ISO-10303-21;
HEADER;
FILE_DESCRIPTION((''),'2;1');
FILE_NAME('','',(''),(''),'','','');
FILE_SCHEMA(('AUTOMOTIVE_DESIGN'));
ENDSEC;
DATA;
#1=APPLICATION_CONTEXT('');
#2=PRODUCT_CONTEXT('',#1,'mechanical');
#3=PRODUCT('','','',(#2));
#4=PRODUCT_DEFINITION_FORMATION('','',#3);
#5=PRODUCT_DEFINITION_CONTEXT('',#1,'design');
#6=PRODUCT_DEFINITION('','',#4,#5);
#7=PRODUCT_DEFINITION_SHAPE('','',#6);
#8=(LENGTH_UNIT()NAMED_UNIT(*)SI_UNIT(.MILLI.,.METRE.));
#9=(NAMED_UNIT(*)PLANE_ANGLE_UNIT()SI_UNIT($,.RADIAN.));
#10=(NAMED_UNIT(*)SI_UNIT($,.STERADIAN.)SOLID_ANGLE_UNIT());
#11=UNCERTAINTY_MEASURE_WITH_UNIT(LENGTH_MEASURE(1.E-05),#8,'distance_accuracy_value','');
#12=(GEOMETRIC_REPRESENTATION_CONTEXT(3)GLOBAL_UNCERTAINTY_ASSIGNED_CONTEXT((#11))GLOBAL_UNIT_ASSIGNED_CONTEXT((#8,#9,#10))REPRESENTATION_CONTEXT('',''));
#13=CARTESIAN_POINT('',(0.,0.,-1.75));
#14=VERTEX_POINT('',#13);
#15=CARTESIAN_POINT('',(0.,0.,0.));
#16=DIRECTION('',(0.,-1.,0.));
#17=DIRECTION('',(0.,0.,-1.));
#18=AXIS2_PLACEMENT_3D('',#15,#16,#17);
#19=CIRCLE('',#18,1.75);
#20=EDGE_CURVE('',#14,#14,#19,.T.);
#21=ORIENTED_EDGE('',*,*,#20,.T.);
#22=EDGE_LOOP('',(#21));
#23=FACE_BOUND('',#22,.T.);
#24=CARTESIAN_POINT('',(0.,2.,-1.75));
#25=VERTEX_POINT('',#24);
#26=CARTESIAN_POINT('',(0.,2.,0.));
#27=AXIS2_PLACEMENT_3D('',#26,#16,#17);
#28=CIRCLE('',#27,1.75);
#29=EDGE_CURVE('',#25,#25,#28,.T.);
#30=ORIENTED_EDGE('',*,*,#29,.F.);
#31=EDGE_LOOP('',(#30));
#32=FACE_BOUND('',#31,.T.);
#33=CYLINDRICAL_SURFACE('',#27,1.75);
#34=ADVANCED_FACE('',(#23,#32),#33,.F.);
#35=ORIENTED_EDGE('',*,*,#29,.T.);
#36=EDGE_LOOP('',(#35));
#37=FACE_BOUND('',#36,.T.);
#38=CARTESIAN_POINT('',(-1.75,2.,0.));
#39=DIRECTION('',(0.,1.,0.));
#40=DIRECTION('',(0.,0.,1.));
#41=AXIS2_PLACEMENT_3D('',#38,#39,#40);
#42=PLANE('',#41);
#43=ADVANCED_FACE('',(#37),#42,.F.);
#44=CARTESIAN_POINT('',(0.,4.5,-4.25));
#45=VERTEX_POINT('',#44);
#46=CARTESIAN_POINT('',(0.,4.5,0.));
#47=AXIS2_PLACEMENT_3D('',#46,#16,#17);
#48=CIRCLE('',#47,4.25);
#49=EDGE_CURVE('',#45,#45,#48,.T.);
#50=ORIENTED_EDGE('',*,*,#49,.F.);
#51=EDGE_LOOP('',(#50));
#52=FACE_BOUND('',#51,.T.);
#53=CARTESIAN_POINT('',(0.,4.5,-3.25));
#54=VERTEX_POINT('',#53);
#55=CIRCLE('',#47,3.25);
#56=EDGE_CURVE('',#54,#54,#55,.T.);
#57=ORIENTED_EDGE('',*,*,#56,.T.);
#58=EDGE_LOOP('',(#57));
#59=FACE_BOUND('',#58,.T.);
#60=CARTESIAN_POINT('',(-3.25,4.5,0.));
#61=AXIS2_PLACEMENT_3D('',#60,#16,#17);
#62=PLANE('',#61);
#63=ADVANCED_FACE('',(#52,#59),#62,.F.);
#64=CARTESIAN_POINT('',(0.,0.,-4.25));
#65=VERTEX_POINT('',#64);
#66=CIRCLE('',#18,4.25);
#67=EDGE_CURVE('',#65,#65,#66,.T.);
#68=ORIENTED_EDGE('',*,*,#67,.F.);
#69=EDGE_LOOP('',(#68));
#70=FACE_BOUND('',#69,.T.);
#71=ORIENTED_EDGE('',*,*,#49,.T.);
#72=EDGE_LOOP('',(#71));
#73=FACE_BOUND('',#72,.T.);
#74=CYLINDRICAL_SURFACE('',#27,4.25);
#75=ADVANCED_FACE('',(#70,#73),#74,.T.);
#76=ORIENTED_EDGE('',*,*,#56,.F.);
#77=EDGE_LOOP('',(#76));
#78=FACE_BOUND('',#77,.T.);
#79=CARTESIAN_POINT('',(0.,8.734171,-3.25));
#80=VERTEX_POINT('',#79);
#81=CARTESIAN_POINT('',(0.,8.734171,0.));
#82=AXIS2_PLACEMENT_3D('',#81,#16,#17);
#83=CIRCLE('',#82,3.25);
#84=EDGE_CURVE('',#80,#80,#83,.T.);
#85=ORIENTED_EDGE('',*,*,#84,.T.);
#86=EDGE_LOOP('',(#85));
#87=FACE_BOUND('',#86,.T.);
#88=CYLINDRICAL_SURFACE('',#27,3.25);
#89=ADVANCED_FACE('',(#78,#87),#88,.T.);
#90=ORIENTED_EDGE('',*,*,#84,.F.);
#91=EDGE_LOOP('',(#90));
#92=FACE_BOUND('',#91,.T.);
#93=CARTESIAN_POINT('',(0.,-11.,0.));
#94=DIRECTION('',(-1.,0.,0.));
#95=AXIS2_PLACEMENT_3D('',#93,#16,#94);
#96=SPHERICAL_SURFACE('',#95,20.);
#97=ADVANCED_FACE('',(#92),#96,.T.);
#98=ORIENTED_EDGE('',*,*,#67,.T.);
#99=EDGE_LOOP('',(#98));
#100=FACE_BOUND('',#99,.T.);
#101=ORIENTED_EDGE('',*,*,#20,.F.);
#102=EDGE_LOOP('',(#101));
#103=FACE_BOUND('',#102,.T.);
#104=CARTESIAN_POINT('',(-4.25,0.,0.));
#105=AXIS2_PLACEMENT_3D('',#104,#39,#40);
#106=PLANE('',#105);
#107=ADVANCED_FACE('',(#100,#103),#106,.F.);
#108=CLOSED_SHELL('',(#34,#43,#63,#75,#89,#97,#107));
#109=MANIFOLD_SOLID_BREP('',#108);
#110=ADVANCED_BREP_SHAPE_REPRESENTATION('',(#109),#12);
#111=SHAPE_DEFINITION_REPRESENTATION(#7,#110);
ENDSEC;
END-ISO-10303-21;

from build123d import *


with BuildPart() as part:
    # Sketch1 → Revolve1 (revolve)
    with BuildSketch(Plane.XY, mode=Mode.PRIVATE) as revolve1_sk:
        with BuildLine():
            Line((-1.75, 0), (-1.75, 2))
            Line((-1.75, 2), (0, 2))
            Line((0, 2), (0, 9))
            ThreePointArc((0, 9), (-1.630426718, 8.933431935), (-3.25, 8.734170872))
            Line((-3.25, 8.734170872), (-3.25, 4.5))
            Line((-3.25, 4.5), (-4.25, 4.5))
            Line((-4.25, 4.5), (-4.25, 0))
            Line((-4.25, 0), (-1.75, 0))
        make_face()
    revolve(revolve1_sk.sketch.rotate(Axis((0, 2, 0), (0, 1, 0)), 270), axis=Axis((0, 2, 0), (0, 1, 0)))


solid = part.part
